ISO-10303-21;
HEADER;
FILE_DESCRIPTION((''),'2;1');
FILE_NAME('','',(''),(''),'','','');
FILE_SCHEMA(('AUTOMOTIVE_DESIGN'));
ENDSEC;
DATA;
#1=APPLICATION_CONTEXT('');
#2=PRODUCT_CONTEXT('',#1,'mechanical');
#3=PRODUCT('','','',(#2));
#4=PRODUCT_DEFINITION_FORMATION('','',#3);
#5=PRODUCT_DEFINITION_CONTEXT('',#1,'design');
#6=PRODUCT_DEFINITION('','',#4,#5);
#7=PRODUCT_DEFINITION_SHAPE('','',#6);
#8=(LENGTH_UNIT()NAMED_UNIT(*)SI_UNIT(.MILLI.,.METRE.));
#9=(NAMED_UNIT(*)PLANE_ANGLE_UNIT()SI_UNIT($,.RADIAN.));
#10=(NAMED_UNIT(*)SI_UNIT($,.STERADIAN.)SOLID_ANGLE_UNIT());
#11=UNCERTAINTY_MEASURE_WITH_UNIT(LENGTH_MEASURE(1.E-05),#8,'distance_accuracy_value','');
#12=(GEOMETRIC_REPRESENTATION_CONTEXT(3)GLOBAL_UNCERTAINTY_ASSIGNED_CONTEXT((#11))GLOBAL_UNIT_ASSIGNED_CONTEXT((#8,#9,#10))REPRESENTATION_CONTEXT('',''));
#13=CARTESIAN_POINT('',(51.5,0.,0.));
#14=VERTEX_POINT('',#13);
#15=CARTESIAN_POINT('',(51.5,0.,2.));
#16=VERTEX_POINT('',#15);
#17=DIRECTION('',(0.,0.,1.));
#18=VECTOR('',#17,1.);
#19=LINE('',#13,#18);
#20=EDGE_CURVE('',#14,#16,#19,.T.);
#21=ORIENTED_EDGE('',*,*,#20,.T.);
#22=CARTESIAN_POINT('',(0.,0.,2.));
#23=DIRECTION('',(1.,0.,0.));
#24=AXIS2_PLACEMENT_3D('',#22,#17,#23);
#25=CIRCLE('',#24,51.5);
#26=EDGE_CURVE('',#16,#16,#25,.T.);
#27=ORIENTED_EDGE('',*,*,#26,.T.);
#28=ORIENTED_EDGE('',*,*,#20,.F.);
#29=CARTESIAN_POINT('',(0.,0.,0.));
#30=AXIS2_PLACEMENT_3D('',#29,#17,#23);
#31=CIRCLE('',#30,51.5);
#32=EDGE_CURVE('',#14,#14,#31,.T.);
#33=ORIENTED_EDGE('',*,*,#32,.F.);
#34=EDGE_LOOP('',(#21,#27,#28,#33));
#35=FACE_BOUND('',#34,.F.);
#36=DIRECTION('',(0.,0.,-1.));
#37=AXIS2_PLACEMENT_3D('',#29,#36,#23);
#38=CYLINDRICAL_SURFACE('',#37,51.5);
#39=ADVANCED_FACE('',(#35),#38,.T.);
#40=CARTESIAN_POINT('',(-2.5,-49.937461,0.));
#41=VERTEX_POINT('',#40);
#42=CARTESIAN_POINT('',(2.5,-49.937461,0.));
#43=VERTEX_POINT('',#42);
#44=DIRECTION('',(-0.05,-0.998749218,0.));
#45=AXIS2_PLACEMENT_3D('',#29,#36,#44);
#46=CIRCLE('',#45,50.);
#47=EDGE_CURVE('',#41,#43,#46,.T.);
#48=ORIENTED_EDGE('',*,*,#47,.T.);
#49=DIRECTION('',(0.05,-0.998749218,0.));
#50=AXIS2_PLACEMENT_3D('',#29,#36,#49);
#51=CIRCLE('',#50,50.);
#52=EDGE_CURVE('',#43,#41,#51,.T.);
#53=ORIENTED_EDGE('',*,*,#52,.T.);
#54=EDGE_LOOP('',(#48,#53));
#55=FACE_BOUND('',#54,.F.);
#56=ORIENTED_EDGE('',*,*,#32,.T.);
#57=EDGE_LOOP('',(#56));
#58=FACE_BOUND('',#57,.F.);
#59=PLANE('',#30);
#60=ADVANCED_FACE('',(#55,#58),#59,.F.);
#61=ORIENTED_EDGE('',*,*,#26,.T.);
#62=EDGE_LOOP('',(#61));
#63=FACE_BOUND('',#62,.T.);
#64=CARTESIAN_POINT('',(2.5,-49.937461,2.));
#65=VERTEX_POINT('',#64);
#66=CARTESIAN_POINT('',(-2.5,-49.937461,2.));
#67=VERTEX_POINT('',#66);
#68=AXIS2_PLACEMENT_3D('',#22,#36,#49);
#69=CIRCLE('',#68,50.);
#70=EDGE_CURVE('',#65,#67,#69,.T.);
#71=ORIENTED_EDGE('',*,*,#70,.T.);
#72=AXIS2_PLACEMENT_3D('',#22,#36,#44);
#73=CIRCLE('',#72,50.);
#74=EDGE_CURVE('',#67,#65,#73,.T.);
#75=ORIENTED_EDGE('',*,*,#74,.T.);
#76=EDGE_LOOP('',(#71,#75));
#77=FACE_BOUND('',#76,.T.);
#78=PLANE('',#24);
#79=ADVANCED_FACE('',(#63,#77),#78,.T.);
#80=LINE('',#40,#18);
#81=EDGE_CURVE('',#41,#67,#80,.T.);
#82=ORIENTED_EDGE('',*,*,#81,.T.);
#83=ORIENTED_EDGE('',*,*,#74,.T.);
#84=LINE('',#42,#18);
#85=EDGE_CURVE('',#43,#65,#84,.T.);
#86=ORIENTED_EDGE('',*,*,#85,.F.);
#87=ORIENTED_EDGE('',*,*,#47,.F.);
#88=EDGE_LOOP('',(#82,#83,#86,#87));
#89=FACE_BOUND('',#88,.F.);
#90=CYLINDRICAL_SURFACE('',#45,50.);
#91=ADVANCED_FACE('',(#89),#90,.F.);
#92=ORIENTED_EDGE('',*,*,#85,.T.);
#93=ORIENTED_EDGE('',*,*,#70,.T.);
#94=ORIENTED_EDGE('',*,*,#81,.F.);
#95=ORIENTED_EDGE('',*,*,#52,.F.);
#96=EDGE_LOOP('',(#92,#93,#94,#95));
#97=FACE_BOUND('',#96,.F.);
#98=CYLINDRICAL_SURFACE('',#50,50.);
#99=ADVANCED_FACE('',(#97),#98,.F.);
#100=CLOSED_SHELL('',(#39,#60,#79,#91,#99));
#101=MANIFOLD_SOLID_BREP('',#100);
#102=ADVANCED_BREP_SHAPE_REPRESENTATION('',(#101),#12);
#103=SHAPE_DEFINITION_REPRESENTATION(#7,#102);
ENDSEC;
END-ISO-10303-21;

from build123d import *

# Parameters (mm, degrees)
F0_R     = 51.5
F1_DEPTH = 2


with BuildPart() as f1:
    # F0 (on Top) → F1 (new body)
    with BuildSketch(Plane.XY):
        Circle(F0_R)
        with BuildLine():
            ThreePointArc((-2.5, -49.9374608886), (-34.4601218802, 36.2284418655), (50, 0))
            ThreePointArc((50, 0), (36.2284418655, -34.4601218802), (2.5, -49.9374608886))
            ThreePointArc((2.5, -49.9374608886), (0, -50), (-2.5, -49.9374608886))
        make_face(mode=Mode.SUBTRACT)
    extrude(amount=F1_DEPTH)


solid = f1.part
